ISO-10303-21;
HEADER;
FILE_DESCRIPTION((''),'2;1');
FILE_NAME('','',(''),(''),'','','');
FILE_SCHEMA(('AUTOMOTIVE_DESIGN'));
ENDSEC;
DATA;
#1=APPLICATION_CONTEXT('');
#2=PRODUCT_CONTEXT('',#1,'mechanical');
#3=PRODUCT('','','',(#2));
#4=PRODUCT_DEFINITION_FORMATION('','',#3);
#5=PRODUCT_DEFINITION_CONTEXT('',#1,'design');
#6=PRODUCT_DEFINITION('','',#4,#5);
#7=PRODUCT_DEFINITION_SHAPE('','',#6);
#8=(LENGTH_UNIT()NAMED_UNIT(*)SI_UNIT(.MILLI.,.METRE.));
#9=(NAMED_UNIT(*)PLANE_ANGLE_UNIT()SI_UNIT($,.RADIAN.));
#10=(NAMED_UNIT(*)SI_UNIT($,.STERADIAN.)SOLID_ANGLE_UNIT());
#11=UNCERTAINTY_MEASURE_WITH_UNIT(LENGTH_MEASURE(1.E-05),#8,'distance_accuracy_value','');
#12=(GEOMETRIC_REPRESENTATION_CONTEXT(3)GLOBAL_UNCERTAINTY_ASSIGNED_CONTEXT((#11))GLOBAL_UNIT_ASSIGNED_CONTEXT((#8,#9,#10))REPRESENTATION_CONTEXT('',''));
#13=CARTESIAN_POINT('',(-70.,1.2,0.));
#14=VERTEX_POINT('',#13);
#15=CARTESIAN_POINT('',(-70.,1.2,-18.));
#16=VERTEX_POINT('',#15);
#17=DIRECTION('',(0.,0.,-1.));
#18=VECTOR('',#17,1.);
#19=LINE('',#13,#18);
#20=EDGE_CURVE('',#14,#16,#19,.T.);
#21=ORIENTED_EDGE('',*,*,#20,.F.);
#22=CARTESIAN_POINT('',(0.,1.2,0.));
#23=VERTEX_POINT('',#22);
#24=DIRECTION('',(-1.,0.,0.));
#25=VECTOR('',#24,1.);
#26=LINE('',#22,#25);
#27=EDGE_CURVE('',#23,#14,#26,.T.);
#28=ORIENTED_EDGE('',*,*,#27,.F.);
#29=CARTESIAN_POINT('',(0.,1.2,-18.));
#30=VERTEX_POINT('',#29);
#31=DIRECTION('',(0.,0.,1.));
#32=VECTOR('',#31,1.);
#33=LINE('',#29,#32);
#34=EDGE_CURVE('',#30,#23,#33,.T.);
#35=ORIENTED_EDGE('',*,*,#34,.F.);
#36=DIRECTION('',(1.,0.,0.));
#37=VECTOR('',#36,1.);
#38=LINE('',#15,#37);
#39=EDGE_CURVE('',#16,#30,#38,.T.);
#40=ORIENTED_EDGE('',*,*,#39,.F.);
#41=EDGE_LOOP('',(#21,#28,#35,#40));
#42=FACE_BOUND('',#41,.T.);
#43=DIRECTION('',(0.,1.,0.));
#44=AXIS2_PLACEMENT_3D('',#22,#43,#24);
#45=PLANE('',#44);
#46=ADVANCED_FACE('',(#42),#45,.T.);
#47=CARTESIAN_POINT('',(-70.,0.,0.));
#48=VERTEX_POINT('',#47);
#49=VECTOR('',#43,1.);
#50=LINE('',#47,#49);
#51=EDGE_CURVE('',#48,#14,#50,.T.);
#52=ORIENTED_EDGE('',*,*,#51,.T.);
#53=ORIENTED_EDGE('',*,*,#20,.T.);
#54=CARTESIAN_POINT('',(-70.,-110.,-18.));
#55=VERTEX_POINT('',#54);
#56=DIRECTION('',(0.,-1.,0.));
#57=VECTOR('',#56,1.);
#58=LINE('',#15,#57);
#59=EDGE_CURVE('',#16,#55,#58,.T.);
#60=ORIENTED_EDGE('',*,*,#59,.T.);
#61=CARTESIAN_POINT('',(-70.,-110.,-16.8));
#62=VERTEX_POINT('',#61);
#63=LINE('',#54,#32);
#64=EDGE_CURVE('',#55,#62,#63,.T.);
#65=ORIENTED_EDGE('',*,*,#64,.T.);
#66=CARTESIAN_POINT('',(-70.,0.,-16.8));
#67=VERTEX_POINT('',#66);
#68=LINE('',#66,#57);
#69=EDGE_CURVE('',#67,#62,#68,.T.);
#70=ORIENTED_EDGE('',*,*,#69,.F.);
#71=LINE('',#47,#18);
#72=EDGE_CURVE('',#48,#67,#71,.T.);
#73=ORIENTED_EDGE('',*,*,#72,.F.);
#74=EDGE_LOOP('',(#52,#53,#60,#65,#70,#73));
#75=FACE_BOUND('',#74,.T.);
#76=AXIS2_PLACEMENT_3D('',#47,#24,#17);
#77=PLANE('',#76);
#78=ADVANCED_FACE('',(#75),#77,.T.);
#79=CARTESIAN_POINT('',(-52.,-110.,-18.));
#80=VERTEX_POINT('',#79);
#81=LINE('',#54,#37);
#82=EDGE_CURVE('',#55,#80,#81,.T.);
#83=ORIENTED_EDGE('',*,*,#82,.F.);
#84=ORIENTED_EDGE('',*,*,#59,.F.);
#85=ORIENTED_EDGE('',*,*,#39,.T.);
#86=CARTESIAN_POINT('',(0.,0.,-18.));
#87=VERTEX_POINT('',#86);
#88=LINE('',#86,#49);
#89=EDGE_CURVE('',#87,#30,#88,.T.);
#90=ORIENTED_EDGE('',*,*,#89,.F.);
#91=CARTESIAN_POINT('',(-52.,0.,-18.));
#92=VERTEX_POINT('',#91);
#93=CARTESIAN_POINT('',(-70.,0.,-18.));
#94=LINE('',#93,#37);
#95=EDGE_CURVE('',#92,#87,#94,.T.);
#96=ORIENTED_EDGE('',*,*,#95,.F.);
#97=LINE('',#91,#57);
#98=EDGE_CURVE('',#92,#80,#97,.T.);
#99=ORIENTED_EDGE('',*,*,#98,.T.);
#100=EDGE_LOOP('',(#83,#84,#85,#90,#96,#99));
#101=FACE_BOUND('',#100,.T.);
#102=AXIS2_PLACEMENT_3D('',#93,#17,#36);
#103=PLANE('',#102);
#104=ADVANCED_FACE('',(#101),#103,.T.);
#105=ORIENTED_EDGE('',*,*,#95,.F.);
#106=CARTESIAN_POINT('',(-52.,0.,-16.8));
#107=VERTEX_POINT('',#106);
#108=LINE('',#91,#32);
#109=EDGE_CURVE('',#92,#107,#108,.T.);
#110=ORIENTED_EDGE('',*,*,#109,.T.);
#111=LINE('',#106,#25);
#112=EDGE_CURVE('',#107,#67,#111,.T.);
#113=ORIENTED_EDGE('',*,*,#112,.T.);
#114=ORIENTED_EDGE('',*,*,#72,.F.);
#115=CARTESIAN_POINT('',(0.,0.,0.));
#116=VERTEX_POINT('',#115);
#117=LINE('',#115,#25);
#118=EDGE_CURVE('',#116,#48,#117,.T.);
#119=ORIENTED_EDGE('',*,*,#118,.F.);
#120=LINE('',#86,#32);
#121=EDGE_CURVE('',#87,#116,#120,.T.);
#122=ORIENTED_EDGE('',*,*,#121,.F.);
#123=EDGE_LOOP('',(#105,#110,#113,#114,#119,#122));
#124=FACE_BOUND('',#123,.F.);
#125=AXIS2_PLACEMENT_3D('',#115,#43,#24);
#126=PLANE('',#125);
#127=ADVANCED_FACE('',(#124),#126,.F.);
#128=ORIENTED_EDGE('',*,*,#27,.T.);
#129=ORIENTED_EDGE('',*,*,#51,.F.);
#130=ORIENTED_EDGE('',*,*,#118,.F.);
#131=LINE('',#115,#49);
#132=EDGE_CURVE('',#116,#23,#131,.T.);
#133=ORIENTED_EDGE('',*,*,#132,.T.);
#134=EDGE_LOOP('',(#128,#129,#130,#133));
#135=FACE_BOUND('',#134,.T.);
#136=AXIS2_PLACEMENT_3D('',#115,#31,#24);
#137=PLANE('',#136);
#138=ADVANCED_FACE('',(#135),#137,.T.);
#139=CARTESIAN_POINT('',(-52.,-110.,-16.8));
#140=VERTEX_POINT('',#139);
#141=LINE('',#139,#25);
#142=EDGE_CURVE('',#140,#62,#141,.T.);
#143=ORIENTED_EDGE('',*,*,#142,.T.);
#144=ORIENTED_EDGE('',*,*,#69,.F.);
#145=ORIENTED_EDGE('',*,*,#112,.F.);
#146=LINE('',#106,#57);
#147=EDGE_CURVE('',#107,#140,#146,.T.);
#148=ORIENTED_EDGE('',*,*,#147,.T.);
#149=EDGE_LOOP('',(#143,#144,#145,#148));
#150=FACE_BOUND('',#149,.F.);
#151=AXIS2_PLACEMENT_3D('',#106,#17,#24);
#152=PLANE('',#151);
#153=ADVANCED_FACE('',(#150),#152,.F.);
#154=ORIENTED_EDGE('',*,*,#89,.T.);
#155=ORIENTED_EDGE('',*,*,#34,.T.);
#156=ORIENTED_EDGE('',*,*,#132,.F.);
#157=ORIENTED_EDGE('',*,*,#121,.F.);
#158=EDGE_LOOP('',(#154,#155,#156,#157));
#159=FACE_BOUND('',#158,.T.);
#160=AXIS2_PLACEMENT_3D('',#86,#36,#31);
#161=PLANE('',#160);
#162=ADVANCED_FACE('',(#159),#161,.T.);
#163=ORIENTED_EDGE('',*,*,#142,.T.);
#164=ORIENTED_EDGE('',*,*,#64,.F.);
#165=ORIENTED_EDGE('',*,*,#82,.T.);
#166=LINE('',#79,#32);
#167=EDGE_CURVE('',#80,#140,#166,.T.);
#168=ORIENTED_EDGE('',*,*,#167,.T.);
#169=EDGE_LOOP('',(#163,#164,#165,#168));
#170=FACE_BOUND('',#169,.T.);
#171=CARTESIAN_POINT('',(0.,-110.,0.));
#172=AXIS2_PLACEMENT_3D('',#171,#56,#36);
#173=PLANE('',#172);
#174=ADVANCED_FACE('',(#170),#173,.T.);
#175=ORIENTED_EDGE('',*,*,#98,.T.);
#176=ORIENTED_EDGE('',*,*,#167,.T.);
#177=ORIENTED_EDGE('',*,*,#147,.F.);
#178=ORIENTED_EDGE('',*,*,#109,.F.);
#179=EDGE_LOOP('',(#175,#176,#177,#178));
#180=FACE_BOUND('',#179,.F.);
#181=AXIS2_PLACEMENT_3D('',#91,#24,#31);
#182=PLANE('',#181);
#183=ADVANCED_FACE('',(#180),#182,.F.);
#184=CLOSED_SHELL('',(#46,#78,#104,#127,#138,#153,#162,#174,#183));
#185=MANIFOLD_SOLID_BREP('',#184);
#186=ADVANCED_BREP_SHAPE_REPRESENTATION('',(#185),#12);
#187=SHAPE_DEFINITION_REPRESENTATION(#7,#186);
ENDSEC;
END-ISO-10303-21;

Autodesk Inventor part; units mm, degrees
ref_plane "YZ Plane" through (0, 0, 0) normal (1, 0, 0) x (0, 1, 0)
ref_plane "XZ Plane" through (0, 0, 0) normal (0, 1, 0) x (-1, 0, 0)
ref_plane "XY Plane" through (0, 0, 0) normal (0, 0, 1) x (1, 0, 0)
sketch "Sketch1" plane through (0, 0, 0) normal (0, 1, 0) x (-1, 0, 0)
  line L0 (0, 0) -> (70, 0)
  line L1 (70, 0) -> (70, -18)
  line L2 (70, -18) -> (0, -18)
  line L3 (0, -18) -> (0, 0)
  dimension "d0" = 70
  dimension "d1" = 18
extrude "Extrusion1" add sketch "Sketch1" along normal blind 1.2
sketch "Sketch2" plane through (0, 0, 0) normal (0, -1, 0) x (1, 0, 0)
  line L0 (-70, -18) -> (-70, 0) projected
  line L1 (-70, -18) -> (-52, -18)
  line L2 (-52, -18) -> (-52, -16.8)
  line L3 (-52, -16.8) -> (-70, -16.8)
  line L4 (-70, -16.8) -> (-70, -18)
  point P0 (0, 0)
  dimension "d4" = 18
  dimension "d5" = 1.2
extrude "Extrusion2" add sketch "Sketch2" along normal blind 110
properties part number "Giá đỡ CTHT 2"
